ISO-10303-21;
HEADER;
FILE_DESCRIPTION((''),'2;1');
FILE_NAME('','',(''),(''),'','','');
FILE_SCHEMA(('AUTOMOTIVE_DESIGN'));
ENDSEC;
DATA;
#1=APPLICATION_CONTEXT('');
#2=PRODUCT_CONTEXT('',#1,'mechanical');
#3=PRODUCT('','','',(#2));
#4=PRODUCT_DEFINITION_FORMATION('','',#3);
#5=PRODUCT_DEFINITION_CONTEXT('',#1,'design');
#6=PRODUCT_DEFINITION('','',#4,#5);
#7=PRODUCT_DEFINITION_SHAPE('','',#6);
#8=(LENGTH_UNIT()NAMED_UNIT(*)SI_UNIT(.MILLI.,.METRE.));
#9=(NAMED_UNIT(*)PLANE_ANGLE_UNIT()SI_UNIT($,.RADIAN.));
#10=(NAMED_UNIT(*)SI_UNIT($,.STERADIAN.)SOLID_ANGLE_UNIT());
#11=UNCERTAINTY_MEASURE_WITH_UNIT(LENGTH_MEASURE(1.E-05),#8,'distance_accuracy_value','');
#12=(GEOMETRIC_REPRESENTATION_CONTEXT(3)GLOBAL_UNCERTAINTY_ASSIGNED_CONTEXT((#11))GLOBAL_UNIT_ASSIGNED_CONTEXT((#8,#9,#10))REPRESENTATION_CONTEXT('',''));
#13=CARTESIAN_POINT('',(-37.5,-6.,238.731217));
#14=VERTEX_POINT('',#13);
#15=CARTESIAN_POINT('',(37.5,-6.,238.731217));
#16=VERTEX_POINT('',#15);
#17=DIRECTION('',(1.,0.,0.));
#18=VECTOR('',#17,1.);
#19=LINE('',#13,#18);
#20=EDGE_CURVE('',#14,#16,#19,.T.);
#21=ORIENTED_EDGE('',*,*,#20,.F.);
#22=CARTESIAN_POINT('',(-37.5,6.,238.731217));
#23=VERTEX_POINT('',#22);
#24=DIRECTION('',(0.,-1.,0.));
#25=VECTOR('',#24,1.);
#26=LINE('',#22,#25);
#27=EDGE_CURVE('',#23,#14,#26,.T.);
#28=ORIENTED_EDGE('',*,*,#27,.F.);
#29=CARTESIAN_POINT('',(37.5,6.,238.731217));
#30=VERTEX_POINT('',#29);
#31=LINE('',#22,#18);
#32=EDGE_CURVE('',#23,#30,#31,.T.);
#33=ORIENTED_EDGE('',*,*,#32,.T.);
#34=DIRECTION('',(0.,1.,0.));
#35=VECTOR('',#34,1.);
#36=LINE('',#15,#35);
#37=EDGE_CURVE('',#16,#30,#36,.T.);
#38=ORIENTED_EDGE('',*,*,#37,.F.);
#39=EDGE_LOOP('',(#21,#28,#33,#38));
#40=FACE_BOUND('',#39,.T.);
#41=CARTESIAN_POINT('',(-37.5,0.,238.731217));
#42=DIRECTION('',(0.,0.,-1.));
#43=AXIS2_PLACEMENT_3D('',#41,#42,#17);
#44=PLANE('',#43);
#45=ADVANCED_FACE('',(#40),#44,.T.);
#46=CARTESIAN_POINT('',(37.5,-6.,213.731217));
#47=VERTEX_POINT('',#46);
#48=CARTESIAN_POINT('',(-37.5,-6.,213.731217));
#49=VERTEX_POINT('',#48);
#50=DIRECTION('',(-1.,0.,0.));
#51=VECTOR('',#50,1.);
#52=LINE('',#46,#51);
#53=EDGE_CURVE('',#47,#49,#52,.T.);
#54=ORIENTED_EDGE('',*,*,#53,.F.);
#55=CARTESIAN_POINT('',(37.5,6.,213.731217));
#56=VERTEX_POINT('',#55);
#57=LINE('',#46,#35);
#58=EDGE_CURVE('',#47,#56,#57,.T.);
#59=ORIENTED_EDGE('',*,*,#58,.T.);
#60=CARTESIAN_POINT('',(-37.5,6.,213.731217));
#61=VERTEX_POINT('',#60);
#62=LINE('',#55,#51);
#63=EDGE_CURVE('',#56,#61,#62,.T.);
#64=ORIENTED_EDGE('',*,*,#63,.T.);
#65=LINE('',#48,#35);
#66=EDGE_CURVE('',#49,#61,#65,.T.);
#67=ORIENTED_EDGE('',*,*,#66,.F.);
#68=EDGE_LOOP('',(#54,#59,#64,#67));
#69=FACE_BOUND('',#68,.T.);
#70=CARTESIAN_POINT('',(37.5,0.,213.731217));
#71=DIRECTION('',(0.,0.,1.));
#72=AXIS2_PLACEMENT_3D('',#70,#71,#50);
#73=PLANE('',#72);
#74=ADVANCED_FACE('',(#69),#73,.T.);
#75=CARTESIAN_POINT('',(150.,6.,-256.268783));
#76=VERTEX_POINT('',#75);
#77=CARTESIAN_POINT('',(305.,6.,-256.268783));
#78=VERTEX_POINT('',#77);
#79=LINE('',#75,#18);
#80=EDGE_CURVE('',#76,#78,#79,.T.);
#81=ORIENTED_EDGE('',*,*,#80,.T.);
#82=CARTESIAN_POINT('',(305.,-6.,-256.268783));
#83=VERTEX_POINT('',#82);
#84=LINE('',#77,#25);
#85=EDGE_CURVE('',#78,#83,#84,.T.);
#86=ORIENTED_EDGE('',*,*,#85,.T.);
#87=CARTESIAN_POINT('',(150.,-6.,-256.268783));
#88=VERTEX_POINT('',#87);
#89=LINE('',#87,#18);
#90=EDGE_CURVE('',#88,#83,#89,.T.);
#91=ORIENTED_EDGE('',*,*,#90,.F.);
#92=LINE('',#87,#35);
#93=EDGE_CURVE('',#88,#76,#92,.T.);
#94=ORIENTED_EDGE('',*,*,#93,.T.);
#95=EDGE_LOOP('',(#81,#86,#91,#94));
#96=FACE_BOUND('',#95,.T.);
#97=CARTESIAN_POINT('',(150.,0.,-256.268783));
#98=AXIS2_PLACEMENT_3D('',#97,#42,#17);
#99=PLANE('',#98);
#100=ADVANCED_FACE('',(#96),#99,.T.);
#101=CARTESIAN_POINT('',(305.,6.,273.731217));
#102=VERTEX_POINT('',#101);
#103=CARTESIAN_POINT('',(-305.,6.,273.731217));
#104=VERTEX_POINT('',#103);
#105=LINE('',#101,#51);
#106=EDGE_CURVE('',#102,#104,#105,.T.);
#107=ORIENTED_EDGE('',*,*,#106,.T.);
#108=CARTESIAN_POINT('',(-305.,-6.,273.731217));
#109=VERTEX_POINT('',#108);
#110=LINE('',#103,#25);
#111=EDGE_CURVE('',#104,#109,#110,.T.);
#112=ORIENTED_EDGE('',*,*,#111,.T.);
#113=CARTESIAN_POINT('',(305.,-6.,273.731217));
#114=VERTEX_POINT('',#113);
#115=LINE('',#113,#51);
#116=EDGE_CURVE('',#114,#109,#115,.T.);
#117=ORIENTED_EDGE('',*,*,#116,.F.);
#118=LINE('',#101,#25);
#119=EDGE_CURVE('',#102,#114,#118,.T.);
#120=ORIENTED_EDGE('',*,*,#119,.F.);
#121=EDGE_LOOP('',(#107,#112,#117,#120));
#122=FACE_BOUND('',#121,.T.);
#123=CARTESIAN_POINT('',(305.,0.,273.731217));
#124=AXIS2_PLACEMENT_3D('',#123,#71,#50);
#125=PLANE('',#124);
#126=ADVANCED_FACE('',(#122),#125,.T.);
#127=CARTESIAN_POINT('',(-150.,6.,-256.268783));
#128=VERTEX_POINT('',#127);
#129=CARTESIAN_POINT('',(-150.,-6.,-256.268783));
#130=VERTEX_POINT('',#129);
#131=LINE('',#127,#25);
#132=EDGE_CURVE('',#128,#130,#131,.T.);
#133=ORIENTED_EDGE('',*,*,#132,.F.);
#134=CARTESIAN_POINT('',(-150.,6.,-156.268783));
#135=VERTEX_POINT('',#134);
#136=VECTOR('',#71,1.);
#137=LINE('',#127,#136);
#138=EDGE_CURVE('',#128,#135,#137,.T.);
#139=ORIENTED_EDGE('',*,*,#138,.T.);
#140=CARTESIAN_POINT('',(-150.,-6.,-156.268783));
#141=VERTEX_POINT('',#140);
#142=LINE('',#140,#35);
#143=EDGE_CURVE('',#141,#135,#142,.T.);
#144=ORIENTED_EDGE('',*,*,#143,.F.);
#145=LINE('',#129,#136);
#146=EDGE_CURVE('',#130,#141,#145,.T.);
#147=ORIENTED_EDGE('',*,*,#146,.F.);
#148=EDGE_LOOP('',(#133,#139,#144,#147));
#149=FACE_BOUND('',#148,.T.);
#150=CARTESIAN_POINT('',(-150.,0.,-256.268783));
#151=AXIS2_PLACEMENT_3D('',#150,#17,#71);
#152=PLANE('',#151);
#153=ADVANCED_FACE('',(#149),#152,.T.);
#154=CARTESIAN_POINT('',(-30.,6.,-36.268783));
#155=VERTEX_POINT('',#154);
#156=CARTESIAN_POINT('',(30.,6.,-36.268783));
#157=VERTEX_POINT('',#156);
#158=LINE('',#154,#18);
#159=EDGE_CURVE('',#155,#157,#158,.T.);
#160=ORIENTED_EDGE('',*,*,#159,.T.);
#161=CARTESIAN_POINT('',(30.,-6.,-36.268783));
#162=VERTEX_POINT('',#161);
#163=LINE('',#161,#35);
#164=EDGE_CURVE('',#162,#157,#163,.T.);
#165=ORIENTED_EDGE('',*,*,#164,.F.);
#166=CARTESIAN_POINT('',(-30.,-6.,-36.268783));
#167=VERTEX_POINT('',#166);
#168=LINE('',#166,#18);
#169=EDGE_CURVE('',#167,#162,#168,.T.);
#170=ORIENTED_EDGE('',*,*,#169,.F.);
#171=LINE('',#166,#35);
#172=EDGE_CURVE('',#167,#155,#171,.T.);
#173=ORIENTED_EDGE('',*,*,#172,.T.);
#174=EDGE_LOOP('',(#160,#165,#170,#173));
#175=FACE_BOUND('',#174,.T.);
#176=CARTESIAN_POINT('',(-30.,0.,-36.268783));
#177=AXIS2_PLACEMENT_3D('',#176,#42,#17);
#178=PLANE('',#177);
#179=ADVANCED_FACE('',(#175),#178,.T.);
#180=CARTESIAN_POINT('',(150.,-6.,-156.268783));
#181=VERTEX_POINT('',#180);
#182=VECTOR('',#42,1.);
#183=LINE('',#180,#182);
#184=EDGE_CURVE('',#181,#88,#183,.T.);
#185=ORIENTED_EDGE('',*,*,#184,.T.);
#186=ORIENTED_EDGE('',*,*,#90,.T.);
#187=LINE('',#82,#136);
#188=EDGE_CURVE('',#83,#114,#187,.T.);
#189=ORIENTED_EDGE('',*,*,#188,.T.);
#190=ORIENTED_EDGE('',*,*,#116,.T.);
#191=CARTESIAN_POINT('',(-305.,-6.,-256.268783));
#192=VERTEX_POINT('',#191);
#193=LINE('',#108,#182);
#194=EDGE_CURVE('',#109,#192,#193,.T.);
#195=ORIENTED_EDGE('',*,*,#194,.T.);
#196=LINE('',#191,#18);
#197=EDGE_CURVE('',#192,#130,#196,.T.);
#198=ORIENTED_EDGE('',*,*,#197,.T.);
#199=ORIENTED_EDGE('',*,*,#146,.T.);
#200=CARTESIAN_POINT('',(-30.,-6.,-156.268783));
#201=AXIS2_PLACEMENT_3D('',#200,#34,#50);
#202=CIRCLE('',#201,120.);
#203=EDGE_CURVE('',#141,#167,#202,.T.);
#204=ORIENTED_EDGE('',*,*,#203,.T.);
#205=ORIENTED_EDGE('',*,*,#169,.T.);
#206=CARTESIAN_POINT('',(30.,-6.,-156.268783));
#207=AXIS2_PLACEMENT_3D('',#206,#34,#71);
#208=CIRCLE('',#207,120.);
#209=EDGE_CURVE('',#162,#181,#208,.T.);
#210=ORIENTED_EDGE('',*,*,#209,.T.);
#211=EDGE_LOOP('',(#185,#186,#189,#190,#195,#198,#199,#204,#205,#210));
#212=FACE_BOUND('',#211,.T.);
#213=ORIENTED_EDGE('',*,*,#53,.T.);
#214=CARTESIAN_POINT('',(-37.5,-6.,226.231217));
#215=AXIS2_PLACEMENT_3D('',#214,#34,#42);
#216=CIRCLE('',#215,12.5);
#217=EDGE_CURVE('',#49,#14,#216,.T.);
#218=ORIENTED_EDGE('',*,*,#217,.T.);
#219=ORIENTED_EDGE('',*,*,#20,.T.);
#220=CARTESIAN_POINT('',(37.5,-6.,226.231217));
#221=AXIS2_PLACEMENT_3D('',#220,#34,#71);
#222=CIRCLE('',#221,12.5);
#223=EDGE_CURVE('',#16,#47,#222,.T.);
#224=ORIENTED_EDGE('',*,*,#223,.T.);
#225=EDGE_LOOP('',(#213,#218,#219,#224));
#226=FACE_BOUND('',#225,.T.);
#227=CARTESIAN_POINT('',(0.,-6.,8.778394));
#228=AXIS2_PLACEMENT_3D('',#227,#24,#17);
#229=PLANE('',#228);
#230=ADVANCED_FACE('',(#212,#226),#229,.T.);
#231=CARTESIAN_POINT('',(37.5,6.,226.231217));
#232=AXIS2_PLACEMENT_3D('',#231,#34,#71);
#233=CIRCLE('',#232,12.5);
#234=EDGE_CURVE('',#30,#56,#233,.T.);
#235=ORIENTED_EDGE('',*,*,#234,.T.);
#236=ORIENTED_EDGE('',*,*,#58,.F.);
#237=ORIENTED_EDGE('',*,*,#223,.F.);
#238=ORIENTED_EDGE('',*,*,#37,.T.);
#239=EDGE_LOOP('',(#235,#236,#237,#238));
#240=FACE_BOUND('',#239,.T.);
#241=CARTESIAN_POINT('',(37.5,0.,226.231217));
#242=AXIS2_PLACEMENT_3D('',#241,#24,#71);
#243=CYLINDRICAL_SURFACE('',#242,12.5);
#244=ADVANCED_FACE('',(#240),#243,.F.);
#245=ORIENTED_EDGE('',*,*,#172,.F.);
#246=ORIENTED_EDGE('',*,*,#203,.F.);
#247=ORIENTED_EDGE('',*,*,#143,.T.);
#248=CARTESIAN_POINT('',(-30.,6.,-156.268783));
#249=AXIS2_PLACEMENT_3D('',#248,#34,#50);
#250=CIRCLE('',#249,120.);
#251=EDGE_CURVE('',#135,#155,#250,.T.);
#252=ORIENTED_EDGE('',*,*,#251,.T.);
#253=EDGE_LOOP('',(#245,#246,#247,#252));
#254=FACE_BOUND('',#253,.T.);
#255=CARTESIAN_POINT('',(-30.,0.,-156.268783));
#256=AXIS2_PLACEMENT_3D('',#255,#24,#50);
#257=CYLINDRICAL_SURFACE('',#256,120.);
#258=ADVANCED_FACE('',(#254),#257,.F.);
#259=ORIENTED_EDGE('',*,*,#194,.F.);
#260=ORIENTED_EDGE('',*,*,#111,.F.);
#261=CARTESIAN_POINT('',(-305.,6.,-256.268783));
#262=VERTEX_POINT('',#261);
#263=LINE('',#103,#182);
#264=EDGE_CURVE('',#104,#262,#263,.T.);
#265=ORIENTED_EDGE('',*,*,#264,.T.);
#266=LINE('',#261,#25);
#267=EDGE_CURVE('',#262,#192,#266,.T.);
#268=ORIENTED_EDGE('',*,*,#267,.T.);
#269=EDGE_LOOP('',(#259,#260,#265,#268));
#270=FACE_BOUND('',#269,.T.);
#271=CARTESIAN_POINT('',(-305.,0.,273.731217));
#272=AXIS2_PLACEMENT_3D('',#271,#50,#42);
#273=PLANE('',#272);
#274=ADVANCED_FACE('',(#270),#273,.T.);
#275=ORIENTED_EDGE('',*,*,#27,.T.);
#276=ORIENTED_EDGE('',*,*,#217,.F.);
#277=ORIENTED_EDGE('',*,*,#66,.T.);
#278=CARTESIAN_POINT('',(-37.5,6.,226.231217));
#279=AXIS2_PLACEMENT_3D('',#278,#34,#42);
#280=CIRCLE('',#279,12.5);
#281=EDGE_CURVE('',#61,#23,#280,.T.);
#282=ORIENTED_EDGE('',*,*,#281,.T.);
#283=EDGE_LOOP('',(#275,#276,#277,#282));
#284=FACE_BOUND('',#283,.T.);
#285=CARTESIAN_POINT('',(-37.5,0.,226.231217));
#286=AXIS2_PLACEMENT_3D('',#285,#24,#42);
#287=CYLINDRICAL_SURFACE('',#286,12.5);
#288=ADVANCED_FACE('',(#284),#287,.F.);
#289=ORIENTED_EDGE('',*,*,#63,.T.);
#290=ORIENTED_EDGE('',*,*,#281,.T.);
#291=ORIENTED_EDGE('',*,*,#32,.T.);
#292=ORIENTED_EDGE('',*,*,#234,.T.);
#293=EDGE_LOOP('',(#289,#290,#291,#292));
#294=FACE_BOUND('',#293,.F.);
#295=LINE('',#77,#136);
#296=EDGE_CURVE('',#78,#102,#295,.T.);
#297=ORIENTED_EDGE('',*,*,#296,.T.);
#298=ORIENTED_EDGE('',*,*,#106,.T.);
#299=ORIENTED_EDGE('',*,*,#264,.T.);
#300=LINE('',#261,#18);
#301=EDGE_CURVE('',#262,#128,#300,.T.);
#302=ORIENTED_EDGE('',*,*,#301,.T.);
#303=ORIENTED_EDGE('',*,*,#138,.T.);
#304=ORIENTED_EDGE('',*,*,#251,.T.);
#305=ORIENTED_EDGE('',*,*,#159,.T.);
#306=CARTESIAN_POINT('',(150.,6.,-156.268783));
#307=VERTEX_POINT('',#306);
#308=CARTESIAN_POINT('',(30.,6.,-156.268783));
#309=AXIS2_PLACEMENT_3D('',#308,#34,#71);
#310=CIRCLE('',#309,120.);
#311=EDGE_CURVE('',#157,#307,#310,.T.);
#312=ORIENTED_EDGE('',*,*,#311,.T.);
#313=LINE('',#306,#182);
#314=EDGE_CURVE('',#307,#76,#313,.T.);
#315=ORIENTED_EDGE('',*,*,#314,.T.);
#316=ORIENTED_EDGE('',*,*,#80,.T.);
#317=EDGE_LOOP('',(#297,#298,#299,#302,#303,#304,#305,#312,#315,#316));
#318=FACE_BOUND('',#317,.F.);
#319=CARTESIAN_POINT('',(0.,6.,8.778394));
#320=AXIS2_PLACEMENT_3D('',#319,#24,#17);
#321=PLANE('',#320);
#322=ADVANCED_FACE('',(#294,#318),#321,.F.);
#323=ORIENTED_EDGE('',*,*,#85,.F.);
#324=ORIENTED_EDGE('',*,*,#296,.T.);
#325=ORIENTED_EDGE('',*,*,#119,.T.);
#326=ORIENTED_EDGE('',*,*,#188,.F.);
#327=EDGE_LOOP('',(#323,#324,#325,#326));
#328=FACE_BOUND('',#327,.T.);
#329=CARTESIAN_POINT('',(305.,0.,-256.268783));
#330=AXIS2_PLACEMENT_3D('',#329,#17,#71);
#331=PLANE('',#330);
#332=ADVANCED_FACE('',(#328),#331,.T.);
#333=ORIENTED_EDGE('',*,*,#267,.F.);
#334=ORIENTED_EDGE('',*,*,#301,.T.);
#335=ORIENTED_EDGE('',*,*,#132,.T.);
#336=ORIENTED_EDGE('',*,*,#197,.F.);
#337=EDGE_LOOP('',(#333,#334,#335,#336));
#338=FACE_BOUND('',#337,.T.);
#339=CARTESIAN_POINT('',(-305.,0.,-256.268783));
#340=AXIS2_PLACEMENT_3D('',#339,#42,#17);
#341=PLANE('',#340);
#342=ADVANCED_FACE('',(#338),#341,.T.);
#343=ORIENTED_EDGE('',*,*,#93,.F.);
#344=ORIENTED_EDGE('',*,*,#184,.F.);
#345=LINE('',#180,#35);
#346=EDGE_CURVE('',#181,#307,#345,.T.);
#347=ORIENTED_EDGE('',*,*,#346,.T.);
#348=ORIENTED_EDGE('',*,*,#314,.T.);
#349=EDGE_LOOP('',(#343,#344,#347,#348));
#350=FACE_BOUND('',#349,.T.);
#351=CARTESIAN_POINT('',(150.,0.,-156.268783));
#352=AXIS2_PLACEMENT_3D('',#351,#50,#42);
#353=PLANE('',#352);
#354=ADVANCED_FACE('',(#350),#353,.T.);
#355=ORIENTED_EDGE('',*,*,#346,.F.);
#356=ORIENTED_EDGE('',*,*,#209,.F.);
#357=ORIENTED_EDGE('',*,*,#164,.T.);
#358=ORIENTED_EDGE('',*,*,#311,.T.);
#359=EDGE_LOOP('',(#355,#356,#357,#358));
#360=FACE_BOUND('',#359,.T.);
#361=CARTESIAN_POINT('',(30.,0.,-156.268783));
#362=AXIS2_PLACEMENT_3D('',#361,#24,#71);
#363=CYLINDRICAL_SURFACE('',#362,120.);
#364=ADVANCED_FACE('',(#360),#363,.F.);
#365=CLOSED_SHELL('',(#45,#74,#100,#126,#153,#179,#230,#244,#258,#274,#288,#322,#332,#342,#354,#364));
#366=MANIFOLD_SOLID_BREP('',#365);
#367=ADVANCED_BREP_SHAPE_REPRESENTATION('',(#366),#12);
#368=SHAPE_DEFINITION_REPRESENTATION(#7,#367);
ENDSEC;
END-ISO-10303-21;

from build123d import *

# Parameters (mm, degrees)
F1_DEPTH = 6


with BuildPart() as f1:
    # F0 (on Front) → F1 (new body, symmetric)
    with BuildSketch(Plane.XZ):
        with BuildLine():
            Line((150, -256.2687826157), (305, -256.2687826157))
            Line((305, -256.2687826157), (305, 273.7312173843))
            Line((305, 273.7312173843), (-305, 273.7312173843))
            Line((-305, 273.7312173843), (-305, -256.2687826157))
            Line((-305, -256.2687826157), (-150, -256.2687826157))
            Line((-150, -256.2687826157), (-150, -156.2687826157))
            ThreePointArc((-150, -156.2687826157), (-114.8528137424, -71.4159688733), (-30, -36.2687826157))
            Line((-30, -36.2687826157), (30, -36.2687826157))
            ThreePointArc((30, -36.2687826157), (114.8528137424, -71.4159688733), (150, -156.2687826157))
            Line((150, -156.2687826157), (150, -256.2687826157))
        make_face()
        with BuildLine():
            Line((-37.5, 238.7312173843), (37.5, 238.7312173843))
            ThreePointArc((37.5, 238.7312173843), (50, 226.2312173843), (37.5, 213.7312173843))
            Line((37.5, 213.7312173843), (-37.5, 213.7312173843))
            ThreePointArc((-37.5, 213.7312173843), (-50, 226.2312173843), (-37.5, 238.7312173843))
        make_face(mode=Mode.SUBTRACT)
    extrude(amount=F1_DEPTH, both=True)


solid = f1.part
